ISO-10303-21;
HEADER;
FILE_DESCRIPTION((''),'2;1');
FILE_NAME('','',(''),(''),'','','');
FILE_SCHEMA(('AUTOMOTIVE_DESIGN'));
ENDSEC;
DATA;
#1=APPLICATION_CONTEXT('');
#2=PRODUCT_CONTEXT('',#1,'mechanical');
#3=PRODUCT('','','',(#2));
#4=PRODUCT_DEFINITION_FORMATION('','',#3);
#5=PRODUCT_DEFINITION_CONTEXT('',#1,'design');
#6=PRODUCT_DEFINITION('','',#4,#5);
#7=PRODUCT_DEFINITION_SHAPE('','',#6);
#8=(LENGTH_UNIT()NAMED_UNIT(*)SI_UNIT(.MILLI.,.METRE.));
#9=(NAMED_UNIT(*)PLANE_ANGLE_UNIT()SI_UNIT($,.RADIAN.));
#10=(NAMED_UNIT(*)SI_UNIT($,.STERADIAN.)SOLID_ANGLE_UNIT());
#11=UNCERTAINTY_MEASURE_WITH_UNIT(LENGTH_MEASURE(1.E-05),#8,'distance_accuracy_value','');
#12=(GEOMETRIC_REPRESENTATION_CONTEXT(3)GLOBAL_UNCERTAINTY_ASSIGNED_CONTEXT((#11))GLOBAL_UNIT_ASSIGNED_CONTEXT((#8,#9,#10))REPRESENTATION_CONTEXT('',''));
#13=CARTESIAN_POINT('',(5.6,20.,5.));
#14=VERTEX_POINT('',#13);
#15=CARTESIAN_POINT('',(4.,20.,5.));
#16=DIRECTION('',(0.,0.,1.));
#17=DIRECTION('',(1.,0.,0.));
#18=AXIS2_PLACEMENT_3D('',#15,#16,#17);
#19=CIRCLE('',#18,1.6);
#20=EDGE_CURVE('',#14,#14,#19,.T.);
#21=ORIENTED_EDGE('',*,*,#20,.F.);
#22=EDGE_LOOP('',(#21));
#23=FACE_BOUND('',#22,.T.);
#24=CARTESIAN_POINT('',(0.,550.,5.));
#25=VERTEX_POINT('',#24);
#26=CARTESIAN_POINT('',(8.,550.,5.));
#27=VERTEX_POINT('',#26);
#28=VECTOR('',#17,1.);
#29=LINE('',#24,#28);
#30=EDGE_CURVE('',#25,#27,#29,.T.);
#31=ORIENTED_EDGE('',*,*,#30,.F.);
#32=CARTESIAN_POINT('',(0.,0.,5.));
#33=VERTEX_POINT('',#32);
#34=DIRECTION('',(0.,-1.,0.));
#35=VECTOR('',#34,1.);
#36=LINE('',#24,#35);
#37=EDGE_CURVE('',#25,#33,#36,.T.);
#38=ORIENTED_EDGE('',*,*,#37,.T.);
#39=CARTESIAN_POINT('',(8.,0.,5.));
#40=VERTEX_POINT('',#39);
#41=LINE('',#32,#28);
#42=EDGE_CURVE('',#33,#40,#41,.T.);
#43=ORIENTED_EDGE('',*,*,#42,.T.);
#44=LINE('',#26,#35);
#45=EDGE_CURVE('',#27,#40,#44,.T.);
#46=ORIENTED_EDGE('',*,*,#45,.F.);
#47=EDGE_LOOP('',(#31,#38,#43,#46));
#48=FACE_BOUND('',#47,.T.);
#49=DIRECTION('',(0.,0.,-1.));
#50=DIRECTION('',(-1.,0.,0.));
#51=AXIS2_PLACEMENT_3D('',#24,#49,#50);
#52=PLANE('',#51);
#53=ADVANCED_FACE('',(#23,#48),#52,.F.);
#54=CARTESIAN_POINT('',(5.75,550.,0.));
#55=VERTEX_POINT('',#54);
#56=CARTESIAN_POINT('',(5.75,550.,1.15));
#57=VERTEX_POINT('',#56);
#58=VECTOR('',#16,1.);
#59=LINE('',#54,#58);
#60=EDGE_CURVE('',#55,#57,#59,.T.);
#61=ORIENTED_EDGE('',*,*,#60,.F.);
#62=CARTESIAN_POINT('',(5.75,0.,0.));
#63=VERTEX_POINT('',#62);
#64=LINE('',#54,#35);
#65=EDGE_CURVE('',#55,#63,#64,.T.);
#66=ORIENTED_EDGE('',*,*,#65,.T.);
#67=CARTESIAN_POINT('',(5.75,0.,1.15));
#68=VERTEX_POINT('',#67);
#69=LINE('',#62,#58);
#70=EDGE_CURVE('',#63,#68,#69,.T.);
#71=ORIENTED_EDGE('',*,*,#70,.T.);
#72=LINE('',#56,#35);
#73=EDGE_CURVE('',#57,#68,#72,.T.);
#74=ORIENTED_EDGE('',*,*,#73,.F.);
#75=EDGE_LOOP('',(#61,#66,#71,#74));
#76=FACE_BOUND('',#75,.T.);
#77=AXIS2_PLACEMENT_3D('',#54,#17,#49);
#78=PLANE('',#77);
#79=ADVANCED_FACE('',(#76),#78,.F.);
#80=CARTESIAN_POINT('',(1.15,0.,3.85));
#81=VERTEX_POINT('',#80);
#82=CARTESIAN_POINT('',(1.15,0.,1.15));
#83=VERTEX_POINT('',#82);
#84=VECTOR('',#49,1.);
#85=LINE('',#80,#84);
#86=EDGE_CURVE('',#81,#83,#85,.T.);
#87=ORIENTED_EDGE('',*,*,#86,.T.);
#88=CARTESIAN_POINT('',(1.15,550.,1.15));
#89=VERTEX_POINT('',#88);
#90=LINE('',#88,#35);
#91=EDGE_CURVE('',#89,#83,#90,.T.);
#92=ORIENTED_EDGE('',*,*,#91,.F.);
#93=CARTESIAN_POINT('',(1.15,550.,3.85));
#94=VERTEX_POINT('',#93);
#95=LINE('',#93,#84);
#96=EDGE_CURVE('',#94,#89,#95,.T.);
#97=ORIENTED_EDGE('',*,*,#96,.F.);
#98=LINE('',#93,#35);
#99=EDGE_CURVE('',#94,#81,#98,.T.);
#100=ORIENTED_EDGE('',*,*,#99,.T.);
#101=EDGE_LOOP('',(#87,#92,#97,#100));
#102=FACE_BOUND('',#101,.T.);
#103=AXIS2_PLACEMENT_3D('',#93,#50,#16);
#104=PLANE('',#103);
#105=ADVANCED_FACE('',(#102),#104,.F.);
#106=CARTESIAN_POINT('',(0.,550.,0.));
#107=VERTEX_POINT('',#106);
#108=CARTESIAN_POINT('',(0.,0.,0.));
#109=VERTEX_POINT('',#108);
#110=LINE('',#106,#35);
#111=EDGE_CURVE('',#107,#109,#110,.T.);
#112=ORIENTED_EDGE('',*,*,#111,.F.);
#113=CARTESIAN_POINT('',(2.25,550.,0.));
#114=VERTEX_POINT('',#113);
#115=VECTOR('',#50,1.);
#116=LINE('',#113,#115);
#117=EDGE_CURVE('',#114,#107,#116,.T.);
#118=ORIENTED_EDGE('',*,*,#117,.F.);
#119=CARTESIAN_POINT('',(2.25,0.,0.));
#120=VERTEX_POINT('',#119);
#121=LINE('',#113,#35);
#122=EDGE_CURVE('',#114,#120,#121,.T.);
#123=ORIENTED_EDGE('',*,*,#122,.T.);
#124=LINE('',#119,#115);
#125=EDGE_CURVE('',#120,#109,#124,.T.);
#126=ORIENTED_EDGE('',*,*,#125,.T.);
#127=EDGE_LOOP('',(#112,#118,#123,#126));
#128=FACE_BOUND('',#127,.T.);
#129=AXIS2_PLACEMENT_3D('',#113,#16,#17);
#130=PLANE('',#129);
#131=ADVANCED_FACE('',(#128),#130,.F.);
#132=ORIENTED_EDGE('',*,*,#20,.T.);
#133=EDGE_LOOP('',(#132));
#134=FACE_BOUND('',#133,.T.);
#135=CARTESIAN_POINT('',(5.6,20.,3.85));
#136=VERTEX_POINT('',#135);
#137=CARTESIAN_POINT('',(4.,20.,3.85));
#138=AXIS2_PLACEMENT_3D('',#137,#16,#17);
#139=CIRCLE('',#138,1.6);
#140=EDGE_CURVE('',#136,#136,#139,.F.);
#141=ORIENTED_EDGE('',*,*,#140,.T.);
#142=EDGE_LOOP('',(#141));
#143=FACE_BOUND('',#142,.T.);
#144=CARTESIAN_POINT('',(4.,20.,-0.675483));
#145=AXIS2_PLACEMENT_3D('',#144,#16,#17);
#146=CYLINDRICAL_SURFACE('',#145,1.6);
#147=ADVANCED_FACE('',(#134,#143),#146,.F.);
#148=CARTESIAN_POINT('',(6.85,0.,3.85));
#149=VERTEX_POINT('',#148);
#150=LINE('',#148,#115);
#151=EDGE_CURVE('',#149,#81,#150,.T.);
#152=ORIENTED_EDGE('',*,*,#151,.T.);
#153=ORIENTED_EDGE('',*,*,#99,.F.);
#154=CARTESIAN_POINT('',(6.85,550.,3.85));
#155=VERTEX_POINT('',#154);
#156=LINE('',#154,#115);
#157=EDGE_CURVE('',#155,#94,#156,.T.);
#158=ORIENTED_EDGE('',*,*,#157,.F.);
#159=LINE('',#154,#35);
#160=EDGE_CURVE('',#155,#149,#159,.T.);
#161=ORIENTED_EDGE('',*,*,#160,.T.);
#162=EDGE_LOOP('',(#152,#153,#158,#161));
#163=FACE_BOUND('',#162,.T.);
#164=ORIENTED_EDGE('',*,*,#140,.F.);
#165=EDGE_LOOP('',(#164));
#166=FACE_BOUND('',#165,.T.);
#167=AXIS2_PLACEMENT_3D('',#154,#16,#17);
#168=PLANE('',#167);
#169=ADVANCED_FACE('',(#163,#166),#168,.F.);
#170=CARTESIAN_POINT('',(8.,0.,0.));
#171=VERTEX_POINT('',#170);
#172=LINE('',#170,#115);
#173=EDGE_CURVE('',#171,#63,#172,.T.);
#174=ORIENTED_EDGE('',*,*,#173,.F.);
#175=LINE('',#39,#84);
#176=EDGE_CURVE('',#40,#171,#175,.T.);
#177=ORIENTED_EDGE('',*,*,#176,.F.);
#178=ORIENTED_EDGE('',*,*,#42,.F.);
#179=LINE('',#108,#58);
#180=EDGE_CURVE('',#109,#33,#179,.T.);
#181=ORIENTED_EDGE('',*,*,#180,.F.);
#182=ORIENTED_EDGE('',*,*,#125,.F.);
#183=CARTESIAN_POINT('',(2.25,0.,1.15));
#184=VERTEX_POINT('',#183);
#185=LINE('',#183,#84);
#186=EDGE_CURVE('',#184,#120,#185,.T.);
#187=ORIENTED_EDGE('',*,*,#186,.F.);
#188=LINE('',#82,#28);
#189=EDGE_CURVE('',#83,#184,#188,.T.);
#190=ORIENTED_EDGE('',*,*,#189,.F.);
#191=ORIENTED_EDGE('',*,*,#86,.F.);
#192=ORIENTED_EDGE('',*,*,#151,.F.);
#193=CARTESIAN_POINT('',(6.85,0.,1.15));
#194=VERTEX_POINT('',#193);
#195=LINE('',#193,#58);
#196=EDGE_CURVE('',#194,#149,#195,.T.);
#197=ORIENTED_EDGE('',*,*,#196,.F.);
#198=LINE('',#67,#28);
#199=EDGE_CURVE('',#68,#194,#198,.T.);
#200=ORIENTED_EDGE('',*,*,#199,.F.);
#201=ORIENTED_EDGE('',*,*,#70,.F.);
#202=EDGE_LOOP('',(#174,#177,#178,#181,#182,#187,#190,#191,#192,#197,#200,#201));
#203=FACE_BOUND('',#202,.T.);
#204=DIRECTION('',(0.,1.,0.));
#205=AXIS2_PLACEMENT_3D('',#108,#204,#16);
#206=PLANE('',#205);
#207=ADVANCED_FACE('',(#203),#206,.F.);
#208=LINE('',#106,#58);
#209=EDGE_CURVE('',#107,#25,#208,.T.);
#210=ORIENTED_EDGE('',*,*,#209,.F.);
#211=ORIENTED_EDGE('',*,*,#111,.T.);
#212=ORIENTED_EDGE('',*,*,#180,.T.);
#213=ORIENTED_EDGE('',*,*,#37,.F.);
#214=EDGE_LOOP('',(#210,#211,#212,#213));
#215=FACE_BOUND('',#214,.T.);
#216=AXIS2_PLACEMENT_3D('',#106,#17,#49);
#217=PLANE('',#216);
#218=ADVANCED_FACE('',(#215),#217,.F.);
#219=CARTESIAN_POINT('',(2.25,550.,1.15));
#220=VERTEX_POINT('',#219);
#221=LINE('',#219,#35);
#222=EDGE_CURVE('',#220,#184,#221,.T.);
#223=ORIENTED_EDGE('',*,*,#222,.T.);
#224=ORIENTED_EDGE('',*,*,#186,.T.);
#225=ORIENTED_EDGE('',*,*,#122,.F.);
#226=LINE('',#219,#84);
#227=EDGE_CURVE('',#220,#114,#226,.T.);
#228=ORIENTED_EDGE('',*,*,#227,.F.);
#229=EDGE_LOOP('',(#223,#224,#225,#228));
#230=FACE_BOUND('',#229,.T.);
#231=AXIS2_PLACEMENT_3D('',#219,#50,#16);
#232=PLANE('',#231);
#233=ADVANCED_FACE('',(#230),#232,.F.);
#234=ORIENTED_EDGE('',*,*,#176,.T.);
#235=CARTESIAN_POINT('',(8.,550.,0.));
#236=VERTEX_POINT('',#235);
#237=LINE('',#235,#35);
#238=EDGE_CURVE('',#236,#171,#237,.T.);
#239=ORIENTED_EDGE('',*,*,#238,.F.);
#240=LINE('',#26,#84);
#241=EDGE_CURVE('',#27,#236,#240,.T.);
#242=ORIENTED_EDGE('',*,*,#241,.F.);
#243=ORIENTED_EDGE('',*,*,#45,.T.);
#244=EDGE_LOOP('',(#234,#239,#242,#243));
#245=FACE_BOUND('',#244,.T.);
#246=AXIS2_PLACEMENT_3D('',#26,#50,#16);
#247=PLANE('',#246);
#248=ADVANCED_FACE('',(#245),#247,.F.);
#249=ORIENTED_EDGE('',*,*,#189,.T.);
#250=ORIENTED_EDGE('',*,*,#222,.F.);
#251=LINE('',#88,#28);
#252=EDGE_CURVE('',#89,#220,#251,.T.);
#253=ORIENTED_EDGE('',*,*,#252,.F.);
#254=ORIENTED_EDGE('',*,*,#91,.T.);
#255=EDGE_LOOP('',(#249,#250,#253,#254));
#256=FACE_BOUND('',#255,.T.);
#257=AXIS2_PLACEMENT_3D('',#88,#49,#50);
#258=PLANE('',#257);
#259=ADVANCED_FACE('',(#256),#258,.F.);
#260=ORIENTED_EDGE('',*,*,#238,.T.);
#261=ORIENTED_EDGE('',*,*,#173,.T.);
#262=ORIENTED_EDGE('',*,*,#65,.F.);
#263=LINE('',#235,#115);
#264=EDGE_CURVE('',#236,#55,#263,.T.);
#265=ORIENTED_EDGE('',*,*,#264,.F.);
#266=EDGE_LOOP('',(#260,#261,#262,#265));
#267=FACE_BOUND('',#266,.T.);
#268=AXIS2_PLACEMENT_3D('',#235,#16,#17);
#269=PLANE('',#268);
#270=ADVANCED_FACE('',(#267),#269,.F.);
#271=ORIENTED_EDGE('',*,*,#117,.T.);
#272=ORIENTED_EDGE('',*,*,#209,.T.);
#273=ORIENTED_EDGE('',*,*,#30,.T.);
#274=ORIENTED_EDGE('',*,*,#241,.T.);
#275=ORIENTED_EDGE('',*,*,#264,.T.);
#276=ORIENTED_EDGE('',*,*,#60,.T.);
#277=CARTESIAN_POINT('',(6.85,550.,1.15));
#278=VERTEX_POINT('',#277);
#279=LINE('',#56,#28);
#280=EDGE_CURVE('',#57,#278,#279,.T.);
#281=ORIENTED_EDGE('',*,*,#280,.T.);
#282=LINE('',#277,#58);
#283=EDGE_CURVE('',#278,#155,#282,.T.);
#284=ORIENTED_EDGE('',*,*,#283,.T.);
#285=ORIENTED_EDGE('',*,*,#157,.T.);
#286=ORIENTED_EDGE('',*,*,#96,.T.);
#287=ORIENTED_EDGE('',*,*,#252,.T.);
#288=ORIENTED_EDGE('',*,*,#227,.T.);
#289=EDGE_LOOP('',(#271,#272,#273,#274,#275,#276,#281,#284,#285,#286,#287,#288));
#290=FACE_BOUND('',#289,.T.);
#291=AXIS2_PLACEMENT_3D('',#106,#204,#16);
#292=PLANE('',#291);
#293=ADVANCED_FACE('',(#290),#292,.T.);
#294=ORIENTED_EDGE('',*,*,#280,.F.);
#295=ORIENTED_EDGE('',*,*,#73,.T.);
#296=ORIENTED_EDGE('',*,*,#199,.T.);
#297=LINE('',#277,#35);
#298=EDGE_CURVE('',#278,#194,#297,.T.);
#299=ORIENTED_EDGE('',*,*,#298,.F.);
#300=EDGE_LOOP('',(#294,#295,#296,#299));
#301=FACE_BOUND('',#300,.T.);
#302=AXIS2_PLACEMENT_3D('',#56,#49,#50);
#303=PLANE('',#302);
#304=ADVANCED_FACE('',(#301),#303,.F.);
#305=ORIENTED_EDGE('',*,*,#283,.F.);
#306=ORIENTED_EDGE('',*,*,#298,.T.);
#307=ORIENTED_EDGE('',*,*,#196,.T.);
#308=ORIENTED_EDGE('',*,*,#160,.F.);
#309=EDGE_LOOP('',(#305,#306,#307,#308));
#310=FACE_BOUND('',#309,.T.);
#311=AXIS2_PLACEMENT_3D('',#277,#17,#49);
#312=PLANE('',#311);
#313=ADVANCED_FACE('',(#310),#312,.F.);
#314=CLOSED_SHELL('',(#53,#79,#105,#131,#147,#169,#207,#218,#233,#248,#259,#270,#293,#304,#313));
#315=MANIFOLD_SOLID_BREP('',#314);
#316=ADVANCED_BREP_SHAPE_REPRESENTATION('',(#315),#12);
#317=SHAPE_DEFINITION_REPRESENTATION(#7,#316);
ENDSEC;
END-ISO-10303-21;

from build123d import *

# Parameters (mm, degrees)
EXTRUDE_1_DEPTH     = 550
SKETCH_2_R          = 1.6
CUT_EXTRUDE_1_DEPTH = 1.15


with BuildPart() as part:
    # 草图1 → 凸台-拉伸1 (new body)
    with BuildSketch(Plane(origin=(0, 0, 0), x_dir=(1, 0, 0), z_dir=(0, 1, 0))):
        Polygon((0, -5), (8, -5), (8, 0), (5.75, 0), (5.75, -1.15), (6.85, -1.15), (6.85, -3.85), (1.15, -3.85), (1.15, -1.15), (2.25, -1.15), (2.25, 0), (0, 0), align=None)
    extrude(amount=EXTRUDE_1_DEPTH)

    # 草图2 → 切除-拉伸1 (cut)
    with BuildSketch(Plane.XY.offset(5)):
        with Locations((4, 20)):
            Circle(SKETCH_2_R)
    extrude(amount=-CUT_EXTRUDE_1_DEPTH, mode=Mode.SUBTRACT)


solid = part.part
